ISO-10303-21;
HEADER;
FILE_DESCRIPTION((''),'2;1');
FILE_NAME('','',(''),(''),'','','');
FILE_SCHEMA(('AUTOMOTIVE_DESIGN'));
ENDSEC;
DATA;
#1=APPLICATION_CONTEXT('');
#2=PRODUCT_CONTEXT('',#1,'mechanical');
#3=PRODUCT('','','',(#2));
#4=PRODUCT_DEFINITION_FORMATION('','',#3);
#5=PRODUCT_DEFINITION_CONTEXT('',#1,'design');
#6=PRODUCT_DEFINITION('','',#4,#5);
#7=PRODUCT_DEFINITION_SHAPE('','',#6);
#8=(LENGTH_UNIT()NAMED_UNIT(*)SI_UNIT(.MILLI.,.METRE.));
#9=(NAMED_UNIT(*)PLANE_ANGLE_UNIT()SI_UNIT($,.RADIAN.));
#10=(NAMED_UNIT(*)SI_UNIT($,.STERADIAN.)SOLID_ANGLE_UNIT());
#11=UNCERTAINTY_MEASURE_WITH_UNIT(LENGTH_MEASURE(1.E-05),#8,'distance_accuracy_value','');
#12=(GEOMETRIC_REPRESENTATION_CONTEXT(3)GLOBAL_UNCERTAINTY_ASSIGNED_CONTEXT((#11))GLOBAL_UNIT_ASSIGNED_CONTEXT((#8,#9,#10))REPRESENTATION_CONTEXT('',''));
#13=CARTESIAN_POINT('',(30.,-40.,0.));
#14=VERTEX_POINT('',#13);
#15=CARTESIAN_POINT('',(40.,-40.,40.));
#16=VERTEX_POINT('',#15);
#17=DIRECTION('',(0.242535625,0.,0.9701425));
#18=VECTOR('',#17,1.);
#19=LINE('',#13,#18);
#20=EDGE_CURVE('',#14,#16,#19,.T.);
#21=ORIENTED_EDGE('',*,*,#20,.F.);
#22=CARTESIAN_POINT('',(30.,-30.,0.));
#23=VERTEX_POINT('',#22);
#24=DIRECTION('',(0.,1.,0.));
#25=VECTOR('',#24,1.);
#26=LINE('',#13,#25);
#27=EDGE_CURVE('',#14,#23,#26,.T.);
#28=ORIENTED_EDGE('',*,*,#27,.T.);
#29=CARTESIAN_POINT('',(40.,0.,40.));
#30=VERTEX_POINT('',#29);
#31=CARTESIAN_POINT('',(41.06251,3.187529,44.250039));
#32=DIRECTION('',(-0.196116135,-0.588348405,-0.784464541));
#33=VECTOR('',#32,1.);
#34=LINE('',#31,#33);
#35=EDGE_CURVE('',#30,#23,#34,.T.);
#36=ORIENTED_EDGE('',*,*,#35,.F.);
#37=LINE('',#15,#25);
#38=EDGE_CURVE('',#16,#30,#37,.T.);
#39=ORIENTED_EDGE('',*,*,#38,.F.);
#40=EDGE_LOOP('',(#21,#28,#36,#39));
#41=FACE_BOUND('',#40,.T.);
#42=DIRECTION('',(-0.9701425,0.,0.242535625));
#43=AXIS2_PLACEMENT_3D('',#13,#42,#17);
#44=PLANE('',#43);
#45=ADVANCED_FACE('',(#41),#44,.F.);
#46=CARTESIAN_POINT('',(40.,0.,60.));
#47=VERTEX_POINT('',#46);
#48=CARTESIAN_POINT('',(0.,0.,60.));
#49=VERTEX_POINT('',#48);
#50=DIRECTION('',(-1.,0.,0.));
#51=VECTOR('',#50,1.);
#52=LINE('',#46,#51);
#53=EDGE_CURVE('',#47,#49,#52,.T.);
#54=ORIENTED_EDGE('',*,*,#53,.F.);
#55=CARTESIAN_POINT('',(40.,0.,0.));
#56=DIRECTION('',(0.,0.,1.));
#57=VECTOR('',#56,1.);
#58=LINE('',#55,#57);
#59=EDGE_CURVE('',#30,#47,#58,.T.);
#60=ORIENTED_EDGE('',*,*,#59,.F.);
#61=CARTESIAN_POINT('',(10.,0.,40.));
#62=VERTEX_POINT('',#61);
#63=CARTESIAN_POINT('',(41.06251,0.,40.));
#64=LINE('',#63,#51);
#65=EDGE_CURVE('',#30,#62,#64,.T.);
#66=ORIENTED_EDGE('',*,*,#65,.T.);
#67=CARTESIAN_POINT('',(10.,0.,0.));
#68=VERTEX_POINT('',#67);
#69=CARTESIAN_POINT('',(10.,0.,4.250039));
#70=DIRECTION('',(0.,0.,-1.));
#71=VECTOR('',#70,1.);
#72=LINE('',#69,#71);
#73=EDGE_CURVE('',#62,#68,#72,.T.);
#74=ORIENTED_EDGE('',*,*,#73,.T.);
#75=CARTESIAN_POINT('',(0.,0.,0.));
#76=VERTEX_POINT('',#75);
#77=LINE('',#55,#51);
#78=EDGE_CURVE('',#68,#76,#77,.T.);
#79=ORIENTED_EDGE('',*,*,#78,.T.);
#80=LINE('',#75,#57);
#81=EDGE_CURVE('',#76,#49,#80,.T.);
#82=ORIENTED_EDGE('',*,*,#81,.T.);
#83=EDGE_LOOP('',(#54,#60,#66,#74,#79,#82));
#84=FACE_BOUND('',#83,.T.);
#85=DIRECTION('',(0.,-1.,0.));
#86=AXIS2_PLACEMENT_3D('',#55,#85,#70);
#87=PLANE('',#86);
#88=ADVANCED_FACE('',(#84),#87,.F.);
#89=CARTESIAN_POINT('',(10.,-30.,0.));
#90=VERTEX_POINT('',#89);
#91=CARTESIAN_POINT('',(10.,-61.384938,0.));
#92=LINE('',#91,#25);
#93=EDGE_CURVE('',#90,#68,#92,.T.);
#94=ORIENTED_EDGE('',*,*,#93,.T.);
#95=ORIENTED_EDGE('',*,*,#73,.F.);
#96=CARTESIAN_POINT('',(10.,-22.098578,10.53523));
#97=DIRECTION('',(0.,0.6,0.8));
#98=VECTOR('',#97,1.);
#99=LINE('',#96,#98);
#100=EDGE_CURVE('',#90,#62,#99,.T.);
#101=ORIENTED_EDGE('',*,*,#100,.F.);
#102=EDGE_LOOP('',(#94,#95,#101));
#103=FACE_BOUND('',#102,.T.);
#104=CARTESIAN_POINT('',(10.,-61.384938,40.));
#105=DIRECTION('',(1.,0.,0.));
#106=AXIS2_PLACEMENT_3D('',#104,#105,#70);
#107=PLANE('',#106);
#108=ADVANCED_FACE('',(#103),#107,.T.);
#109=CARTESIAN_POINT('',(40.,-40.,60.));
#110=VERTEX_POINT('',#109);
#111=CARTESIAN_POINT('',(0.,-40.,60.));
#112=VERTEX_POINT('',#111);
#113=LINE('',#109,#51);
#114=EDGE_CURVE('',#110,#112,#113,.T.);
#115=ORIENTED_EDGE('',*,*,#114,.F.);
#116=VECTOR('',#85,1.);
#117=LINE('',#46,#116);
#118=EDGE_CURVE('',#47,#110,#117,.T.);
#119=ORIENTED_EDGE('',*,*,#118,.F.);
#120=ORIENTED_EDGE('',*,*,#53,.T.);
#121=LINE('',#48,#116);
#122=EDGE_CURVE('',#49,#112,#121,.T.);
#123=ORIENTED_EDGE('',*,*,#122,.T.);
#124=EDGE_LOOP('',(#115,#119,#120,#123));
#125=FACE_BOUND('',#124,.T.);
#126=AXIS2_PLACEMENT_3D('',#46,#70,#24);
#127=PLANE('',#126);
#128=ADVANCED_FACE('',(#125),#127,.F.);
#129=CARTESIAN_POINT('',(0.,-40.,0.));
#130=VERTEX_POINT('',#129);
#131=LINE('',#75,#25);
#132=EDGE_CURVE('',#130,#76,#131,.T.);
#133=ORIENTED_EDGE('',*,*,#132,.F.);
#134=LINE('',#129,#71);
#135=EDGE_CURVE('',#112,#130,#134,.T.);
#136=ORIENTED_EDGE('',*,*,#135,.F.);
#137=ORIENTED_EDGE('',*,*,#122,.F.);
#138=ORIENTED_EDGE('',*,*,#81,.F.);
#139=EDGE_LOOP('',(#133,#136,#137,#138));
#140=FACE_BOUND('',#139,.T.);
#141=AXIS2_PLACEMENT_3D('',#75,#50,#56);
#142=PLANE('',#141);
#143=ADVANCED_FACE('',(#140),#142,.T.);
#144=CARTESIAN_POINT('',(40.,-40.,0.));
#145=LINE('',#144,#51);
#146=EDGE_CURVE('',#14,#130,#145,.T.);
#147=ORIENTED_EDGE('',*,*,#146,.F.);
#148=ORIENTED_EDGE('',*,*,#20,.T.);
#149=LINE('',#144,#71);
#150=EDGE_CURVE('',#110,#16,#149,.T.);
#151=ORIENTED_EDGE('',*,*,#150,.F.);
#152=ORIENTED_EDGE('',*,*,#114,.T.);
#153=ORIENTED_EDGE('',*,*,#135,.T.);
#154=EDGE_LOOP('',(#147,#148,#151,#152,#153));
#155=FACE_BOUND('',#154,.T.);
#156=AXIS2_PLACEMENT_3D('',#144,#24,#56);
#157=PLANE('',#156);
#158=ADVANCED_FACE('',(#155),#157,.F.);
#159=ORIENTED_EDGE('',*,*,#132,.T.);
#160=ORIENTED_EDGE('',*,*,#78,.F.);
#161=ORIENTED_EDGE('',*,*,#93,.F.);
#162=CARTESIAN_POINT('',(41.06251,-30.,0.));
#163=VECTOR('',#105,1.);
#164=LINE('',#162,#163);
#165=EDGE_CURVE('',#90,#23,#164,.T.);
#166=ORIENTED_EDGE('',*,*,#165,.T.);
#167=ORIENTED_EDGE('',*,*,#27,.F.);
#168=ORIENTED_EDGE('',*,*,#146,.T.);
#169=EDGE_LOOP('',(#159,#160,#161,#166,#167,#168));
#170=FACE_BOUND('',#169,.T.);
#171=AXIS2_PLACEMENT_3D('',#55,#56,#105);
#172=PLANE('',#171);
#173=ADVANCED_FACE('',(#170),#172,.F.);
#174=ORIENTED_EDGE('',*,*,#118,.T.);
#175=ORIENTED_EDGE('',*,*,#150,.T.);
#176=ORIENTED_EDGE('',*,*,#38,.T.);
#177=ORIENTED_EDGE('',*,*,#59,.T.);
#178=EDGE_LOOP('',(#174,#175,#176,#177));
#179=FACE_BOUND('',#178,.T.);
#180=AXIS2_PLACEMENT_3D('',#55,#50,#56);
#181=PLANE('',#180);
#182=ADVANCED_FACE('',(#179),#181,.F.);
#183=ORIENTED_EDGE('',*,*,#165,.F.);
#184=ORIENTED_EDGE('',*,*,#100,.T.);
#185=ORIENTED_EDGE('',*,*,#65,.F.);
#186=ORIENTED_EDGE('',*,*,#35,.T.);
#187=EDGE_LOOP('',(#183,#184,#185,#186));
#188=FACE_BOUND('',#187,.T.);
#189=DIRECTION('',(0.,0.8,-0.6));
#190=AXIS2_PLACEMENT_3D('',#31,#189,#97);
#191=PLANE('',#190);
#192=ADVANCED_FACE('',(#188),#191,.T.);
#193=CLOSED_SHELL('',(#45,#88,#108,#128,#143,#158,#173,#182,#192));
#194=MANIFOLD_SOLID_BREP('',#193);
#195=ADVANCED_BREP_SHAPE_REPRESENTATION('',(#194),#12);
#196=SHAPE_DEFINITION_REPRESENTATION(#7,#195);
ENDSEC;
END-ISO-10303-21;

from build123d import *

# Parameters (mm, degrees)
SKETCH_2_W          = 60
SKETCH_2_H          = 40
EXTRUDE_1_DEPTH     = 40
CUT_EXTRUDE_1_DEPTH = 40
EXTRUDE_2_REACH     = 84.462
SKETCH_7_W          = 10
SKETCH_7_H          = 40


with BuildPart() as part:
    # 草圖2 → 填料-伸長1 (new body)
    with BuildSketch(Plane(origin=(0, 0, 0), x_dir=(0, 0, -1), z_dir=(1, 0, 0))):
        with Locations((-30, -20)):
            Rectangle(SKETCH_2_W, SKETCH_2_H)
    extrude(amount=EXTRUDE_1_DEPTH)

    # 草圖3 → 除料-伸長1 (cut)
    with BuildSketch(Plane(origin=(0, 0, 0), x_dir=(1, 0, 0), z_dir=(0, 1, 0))):
        Polygon((30, 0), (40, -40), (40, 0), align=None)
    extrude(amount=-CUT_EXTRUDE_1_DEPTH, mode=Mode.SUBTRACT)

    # 除料-掃出1: sweep along a path in 草圖6
    with BuildLine(Plane(origin=(28.235294118, 0, -7.058823529), x_dir=(-0.24253562503633305, 0, -0.9701425001453319), z_dir=(0.9701425001453319, 0, -0.24253562503633305))) as sweep_1_path:
        Line((-48.507125007, 0), (-7.276068751, -30))
    # 草圖5 → 除料-掃出1 (sweep, cut)
    with BuildSketch(Plane(origin=(0, 0, 0), x_dir=(1, 0, 0), z_dir=(0, 1, 0))):
        Polygon((30, 0), (10, 0), (10, -40), (40, -40), align=None)
    sweep(path=sweep_1_path.line, mode=Mode.SUBTRACT)

    # 填料-伸長2: up to this face of the body (flat: up to its plane)
    extrude_2_end = Plane(part.part.faces().sort_by_distance((20, -15, 20))[0])
    # 草圖7 → 填料-伸長2 (add, up to the picked face)
    with BuildSketch(Plane(origin=(0, 0, 0), x_dir=(1, 0, 0), z_dir=(0, 1, 0)), mode=Mode.PRIVATE) as extrude_2_sk1:
        with Locations((5, -20)):
            Rectangle(SKETCH_7_W, SKETCH_7_H)
    extrude_2_tool1 = split(extrude(extrude_2_sk1.sketch, amount=-EXTRUDE_2_REACH, mode=Mode.PRIVATE), bisect_by=extrude_2_end, keep=Keep.BOTH, mode=Mode.PRIVATE)
    add(extrude_2_tool1.solids().sort_by(Axis((5, 0, 20), (0, -1, 0)))[0])


solid = part.part
